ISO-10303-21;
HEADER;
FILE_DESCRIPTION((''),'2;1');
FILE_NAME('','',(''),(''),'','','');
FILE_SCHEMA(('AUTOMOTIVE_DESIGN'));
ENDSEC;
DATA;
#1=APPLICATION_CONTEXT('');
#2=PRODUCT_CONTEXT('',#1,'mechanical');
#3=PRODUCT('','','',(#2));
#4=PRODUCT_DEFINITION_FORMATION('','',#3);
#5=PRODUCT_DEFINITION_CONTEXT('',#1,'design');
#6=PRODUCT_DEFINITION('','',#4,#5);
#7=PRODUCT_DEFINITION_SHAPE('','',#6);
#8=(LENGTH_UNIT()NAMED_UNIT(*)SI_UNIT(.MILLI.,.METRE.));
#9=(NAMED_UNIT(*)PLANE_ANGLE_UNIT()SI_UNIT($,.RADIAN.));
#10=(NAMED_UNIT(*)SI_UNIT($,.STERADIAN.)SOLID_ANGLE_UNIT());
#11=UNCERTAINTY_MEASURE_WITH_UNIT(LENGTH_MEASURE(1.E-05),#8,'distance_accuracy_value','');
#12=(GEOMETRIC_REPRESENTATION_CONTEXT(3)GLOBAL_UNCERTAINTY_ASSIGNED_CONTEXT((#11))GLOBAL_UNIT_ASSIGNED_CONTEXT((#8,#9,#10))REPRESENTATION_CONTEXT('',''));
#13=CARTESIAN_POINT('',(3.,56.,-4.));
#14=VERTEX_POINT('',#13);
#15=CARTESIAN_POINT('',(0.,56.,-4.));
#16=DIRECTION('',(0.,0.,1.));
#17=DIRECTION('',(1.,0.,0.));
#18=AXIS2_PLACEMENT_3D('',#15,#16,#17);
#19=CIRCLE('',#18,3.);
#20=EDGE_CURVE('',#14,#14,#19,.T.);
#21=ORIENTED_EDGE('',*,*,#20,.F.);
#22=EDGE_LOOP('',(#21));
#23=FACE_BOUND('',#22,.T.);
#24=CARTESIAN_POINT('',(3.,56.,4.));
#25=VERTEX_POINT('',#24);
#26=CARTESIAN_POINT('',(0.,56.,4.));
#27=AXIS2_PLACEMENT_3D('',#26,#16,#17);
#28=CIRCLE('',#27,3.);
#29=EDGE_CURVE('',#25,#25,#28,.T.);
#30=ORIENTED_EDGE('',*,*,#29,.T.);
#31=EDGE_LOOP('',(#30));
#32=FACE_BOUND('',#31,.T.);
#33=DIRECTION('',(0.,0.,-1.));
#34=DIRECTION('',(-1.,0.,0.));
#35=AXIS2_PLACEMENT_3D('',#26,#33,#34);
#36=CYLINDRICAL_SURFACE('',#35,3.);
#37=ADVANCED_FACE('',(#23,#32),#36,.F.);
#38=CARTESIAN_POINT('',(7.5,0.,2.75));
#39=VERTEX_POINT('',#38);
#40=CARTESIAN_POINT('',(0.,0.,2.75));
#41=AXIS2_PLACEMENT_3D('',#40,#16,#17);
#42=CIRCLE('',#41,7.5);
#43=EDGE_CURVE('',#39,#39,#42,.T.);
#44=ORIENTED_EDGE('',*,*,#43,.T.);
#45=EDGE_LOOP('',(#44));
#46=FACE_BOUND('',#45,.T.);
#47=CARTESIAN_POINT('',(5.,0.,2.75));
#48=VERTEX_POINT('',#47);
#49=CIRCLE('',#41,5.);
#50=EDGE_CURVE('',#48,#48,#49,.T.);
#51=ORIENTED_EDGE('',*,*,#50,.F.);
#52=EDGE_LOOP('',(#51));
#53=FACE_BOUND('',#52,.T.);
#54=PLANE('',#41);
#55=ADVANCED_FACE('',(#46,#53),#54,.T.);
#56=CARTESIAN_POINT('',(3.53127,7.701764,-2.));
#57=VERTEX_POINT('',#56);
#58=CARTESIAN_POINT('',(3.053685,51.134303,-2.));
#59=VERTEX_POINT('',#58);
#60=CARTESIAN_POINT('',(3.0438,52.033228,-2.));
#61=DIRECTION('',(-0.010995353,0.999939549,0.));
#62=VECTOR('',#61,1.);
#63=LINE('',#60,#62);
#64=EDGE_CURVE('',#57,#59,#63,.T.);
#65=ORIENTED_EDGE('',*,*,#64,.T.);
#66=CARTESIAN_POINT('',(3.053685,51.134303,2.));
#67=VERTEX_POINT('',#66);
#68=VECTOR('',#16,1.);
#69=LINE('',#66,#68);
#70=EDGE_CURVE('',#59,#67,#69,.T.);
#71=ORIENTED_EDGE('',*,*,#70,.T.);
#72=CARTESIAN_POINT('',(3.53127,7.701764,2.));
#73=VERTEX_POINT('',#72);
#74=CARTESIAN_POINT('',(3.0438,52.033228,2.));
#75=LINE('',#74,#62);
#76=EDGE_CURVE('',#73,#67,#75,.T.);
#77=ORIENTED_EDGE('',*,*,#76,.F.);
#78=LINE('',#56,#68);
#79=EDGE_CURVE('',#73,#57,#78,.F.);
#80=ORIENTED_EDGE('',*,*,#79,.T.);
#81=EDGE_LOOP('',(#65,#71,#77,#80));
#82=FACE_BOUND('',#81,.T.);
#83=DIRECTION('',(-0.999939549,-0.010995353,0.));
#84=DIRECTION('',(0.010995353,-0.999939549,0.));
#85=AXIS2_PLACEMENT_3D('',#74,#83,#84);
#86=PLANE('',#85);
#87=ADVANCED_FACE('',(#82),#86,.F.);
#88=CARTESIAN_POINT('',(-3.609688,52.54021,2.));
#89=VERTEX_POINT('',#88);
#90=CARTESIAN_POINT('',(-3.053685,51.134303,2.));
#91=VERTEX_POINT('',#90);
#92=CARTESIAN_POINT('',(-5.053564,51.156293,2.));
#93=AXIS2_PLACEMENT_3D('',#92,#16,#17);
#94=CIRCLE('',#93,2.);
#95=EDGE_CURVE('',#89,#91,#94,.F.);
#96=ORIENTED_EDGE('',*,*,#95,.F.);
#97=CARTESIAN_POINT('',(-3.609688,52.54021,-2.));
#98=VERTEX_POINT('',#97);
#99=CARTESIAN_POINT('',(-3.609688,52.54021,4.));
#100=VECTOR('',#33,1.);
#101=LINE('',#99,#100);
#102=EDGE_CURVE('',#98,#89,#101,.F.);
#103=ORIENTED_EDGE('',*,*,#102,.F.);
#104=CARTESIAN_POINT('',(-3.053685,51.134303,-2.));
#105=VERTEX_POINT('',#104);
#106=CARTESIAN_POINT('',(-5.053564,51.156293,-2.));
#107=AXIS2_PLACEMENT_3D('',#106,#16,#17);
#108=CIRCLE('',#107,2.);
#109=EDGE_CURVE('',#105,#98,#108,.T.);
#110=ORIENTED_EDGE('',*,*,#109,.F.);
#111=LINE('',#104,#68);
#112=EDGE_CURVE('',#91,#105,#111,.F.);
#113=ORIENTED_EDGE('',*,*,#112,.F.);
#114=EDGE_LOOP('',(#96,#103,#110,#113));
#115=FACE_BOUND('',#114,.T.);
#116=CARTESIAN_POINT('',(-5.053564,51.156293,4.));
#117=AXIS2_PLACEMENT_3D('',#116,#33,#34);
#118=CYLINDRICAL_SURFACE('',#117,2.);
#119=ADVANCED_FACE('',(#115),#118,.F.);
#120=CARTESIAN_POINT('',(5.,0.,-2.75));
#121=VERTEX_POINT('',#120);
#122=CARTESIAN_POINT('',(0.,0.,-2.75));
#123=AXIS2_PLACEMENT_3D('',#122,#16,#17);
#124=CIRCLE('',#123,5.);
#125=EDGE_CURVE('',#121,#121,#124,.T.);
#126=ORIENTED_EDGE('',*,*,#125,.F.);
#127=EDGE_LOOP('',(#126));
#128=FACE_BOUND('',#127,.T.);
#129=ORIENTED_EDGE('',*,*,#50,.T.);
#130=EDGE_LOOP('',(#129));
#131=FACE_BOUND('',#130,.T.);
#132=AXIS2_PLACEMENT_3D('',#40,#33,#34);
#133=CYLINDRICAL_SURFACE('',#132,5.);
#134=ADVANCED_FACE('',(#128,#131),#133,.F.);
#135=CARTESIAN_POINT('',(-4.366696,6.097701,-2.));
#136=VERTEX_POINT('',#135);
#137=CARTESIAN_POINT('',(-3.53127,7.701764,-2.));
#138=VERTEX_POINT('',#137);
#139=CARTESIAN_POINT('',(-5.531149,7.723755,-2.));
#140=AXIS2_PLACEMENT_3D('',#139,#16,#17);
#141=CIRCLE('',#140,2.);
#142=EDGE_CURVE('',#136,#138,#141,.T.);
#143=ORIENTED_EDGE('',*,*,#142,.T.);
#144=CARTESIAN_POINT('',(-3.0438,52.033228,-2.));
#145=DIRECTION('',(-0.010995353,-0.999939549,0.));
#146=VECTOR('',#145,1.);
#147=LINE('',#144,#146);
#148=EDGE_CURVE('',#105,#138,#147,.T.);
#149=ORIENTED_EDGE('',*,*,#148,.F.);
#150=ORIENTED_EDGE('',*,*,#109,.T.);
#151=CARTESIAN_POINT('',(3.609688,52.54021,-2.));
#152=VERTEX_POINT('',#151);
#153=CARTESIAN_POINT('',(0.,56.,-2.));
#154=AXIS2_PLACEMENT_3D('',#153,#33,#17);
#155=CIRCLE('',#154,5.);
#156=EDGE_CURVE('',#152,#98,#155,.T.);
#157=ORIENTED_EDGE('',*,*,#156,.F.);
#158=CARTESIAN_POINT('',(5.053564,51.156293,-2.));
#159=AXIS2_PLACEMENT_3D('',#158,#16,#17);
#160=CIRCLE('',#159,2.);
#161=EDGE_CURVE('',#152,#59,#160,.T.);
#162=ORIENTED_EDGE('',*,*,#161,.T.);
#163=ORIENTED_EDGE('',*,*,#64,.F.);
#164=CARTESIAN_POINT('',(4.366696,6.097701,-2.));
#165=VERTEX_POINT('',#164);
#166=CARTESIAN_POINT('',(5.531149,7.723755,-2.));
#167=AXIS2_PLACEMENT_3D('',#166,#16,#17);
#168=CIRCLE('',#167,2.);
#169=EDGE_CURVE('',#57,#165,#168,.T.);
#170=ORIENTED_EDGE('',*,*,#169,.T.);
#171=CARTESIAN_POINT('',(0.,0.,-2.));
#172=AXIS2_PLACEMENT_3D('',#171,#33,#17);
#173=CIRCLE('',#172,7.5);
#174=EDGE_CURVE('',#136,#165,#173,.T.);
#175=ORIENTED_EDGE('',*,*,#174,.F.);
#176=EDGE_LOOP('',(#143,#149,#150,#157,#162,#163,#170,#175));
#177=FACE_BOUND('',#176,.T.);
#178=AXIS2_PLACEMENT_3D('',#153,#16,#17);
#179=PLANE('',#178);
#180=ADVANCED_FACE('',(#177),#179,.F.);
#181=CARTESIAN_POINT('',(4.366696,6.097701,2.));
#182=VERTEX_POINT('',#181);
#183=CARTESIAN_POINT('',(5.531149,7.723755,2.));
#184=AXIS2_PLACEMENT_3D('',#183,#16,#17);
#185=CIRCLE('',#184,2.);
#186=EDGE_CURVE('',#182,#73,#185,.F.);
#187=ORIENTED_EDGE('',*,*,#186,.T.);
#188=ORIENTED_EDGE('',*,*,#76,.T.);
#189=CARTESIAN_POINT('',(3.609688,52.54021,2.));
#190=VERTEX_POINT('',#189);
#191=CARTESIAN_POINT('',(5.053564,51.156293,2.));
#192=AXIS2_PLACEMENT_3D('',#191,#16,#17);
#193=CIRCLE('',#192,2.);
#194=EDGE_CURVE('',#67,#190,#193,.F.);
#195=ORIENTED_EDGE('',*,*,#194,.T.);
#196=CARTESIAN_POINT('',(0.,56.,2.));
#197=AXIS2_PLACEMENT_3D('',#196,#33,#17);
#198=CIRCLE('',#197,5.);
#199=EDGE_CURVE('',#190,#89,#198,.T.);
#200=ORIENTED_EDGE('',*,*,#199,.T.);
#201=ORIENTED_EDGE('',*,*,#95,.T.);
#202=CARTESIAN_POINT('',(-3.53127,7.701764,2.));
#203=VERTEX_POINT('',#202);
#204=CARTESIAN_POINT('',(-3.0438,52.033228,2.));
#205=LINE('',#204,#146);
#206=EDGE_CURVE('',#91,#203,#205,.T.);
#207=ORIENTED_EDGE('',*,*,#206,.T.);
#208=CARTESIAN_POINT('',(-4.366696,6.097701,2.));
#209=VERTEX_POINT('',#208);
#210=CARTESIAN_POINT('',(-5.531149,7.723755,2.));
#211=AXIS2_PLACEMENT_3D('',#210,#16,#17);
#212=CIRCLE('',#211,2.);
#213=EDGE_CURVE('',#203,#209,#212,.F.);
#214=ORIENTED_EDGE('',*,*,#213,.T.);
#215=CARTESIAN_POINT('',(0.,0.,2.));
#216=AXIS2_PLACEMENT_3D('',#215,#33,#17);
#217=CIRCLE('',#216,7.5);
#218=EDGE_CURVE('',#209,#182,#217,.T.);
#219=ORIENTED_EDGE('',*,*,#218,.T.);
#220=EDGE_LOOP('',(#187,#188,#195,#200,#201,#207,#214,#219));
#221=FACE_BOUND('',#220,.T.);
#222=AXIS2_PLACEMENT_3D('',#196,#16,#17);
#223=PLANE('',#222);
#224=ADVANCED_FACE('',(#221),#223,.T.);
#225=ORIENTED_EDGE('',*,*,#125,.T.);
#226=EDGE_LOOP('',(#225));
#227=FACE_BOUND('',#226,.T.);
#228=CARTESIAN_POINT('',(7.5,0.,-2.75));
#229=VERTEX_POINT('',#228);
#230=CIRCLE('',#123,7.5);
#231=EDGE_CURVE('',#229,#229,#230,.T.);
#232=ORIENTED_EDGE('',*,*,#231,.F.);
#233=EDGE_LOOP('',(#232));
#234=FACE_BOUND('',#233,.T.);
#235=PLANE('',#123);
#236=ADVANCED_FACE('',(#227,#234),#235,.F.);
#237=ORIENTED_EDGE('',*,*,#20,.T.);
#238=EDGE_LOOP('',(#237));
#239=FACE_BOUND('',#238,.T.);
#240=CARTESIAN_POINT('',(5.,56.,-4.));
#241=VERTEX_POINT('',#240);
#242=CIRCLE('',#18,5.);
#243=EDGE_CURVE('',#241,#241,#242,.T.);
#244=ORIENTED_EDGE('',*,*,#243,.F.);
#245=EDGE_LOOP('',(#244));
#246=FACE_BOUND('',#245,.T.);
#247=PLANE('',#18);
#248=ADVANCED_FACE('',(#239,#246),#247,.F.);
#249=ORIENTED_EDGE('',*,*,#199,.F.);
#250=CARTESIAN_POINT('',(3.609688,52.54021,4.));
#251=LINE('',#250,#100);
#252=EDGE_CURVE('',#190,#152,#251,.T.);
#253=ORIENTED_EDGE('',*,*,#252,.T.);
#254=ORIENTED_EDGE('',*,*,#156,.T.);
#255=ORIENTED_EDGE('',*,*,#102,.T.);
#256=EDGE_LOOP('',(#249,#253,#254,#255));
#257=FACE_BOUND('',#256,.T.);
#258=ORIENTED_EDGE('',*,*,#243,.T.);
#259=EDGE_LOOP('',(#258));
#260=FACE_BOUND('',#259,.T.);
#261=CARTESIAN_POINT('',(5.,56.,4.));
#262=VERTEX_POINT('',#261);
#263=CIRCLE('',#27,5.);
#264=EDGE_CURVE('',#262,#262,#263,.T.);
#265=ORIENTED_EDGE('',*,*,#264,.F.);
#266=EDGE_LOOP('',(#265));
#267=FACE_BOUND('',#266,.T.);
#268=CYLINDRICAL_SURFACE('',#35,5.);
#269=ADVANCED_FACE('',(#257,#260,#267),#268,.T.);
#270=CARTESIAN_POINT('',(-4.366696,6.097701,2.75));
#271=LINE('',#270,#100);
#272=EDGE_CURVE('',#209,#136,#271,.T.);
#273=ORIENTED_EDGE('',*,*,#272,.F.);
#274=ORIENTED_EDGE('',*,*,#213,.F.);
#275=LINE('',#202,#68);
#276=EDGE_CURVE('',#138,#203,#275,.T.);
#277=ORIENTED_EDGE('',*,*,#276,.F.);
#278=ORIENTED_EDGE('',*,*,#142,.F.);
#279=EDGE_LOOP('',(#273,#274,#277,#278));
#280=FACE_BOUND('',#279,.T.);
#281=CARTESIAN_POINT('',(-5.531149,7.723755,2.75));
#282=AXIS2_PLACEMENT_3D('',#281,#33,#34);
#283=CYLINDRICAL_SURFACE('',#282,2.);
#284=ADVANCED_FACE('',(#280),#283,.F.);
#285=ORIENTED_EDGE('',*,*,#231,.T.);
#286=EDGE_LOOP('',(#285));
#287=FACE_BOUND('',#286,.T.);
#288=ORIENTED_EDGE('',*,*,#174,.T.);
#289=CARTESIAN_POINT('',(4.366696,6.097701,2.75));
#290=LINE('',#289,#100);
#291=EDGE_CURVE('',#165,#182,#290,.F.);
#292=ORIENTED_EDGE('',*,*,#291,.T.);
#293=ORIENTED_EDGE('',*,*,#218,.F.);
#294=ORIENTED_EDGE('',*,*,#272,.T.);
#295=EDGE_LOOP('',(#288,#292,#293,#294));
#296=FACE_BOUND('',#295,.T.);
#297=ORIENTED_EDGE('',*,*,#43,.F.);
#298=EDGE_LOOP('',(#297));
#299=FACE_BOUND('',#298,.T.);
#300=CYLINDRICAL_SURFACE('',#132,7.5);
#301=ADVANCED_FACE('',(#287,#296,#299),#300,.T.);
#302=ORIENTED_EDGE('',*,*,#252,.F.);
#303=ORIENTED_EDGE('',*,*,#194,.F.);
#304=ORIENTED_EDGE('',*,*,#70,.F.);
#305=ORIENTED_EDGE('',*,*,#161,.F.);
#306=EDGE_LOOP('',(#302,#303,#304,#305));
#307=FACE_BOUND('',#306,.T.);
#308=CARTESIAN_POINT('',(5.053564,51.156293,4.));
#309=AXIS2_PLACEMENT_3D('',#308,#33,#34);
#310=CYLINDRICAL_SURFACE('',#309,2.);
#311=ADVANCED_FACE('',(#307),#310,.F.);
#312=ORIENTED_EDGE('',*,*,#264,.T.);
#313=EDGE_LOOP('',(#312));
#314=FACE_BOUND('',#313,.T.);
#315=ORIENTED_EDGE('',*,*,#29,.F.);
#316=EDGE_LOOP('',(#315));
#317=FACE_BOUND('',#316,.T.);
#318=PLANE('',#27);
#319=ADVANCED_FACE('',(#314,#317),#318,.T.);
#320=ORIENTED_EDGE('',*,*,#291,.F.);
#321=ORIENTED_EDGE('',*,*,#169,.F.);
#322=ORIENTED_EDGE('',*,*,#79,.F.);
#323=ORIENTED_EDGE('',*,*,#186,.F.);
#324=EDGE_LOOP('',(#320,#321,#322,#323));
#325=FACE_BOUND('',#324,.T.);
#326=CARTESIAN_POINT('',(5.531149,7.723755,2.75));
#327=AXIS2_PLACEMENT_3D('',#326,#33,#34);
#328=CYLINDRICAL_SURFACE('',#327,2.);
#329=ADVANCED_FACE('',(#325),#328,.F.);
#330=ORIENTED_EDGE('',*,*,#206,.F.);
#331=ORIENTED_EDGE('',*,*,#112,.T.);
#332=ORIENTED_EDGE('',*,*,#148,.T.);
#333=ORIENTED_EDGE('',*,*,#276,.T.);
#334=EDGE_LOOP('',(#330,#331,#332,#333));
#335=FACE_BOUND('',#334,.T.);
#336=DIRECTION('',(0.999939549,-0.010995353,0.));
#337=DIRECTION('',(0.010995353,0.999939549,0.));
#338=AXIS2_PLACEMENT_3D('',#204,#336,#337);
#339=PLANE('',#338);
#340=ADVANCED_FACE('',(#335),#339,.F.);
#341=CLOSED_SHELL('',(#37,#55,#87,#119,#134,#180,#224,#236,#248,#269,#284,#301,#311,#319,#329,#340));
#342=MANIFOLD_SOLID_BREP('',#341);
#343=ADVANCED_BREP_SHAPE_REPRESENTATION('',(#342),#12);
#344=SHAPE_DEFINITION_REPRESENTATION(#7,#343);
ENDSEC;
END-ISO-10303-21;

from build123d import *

# Parameters (mm, degrees)
SKETCH1_R           = 7.5
SKETCH1_R_2         = 5
BOSS_EXTRUDE1_DEPTH = 2.75
SKETCH2_R           = 5
SKETCH2_R_2         = 3
BOSS_EXTRUDE2_DEPTH = 4
BOSS_EXTRUDE3_DEPTH = 2
FILLET1_R           = 2


with BuildPart() as part:
    # Sketch1 → Boss-Extrude1 (new, symmetric)
    with BuildSketch(Plane.XY):
        Circle(SKETCH1_R)
        Circle(SKETCH1_R_2, mode=Mode.SUBTRACT)
    extrude(amount=BOSS_EXTRUDE1_DEPTH, both=True)



with BuildPart() as body_2:
    # Sketch2 → Boss-Extrude2 (new, symmetric)
    with BuildSketch(Plane.XY):
        with Locations((0, 56)):
            Circle(SKETCH2_R)
        with Locations((0, 56)):
            Circle(SKETCH2_R_2, mode=Mode.SUBTRACT)
    extrude(amount=BOSS_EXTRUDE2_DEPTH, both=True)


with BuildPart() as part_1:
    add(part.part)

    add(body_2.part)  # Boss-Extrude3 merges body 2
    # Sketch3 → Boss-Extrude3 (add, symmetric)
    with BuildSketch(Plane.XY):
        with BuildLine():
            Line((-3.043800059, 52.033227861), (-3.543272067, 6.610236233))
            ThreePointArc((-3.543272067, 6.610236233), (0, 7.5), (3.543272067, 6.610236233))
            Line((3.543272067, 6.610236233), (3.043800059, 52.033227861))
            ThreePointArc((3.043800059, 52.033227861), (0, 51), (-3.043800059, 52.033227861))
        make_face()
    extrude(amount=BOSS_EXTRUDE3_DEPTH, both=True)

    # Fillet1
    fillet1_edges = [part_1.edges().sort_by_distance(p)[0] for p in [
        (3.043800059, 52.033227861, 0),
        (-3.043800059, 52.033227861, 0),
        (-3.543272067, 6.610236233, 0),
        (3.543272067, 6.610236233, 0),
    ]]
    fillet(fillet1_edges, radius=FILLET1_R)


solid = part_1.part
